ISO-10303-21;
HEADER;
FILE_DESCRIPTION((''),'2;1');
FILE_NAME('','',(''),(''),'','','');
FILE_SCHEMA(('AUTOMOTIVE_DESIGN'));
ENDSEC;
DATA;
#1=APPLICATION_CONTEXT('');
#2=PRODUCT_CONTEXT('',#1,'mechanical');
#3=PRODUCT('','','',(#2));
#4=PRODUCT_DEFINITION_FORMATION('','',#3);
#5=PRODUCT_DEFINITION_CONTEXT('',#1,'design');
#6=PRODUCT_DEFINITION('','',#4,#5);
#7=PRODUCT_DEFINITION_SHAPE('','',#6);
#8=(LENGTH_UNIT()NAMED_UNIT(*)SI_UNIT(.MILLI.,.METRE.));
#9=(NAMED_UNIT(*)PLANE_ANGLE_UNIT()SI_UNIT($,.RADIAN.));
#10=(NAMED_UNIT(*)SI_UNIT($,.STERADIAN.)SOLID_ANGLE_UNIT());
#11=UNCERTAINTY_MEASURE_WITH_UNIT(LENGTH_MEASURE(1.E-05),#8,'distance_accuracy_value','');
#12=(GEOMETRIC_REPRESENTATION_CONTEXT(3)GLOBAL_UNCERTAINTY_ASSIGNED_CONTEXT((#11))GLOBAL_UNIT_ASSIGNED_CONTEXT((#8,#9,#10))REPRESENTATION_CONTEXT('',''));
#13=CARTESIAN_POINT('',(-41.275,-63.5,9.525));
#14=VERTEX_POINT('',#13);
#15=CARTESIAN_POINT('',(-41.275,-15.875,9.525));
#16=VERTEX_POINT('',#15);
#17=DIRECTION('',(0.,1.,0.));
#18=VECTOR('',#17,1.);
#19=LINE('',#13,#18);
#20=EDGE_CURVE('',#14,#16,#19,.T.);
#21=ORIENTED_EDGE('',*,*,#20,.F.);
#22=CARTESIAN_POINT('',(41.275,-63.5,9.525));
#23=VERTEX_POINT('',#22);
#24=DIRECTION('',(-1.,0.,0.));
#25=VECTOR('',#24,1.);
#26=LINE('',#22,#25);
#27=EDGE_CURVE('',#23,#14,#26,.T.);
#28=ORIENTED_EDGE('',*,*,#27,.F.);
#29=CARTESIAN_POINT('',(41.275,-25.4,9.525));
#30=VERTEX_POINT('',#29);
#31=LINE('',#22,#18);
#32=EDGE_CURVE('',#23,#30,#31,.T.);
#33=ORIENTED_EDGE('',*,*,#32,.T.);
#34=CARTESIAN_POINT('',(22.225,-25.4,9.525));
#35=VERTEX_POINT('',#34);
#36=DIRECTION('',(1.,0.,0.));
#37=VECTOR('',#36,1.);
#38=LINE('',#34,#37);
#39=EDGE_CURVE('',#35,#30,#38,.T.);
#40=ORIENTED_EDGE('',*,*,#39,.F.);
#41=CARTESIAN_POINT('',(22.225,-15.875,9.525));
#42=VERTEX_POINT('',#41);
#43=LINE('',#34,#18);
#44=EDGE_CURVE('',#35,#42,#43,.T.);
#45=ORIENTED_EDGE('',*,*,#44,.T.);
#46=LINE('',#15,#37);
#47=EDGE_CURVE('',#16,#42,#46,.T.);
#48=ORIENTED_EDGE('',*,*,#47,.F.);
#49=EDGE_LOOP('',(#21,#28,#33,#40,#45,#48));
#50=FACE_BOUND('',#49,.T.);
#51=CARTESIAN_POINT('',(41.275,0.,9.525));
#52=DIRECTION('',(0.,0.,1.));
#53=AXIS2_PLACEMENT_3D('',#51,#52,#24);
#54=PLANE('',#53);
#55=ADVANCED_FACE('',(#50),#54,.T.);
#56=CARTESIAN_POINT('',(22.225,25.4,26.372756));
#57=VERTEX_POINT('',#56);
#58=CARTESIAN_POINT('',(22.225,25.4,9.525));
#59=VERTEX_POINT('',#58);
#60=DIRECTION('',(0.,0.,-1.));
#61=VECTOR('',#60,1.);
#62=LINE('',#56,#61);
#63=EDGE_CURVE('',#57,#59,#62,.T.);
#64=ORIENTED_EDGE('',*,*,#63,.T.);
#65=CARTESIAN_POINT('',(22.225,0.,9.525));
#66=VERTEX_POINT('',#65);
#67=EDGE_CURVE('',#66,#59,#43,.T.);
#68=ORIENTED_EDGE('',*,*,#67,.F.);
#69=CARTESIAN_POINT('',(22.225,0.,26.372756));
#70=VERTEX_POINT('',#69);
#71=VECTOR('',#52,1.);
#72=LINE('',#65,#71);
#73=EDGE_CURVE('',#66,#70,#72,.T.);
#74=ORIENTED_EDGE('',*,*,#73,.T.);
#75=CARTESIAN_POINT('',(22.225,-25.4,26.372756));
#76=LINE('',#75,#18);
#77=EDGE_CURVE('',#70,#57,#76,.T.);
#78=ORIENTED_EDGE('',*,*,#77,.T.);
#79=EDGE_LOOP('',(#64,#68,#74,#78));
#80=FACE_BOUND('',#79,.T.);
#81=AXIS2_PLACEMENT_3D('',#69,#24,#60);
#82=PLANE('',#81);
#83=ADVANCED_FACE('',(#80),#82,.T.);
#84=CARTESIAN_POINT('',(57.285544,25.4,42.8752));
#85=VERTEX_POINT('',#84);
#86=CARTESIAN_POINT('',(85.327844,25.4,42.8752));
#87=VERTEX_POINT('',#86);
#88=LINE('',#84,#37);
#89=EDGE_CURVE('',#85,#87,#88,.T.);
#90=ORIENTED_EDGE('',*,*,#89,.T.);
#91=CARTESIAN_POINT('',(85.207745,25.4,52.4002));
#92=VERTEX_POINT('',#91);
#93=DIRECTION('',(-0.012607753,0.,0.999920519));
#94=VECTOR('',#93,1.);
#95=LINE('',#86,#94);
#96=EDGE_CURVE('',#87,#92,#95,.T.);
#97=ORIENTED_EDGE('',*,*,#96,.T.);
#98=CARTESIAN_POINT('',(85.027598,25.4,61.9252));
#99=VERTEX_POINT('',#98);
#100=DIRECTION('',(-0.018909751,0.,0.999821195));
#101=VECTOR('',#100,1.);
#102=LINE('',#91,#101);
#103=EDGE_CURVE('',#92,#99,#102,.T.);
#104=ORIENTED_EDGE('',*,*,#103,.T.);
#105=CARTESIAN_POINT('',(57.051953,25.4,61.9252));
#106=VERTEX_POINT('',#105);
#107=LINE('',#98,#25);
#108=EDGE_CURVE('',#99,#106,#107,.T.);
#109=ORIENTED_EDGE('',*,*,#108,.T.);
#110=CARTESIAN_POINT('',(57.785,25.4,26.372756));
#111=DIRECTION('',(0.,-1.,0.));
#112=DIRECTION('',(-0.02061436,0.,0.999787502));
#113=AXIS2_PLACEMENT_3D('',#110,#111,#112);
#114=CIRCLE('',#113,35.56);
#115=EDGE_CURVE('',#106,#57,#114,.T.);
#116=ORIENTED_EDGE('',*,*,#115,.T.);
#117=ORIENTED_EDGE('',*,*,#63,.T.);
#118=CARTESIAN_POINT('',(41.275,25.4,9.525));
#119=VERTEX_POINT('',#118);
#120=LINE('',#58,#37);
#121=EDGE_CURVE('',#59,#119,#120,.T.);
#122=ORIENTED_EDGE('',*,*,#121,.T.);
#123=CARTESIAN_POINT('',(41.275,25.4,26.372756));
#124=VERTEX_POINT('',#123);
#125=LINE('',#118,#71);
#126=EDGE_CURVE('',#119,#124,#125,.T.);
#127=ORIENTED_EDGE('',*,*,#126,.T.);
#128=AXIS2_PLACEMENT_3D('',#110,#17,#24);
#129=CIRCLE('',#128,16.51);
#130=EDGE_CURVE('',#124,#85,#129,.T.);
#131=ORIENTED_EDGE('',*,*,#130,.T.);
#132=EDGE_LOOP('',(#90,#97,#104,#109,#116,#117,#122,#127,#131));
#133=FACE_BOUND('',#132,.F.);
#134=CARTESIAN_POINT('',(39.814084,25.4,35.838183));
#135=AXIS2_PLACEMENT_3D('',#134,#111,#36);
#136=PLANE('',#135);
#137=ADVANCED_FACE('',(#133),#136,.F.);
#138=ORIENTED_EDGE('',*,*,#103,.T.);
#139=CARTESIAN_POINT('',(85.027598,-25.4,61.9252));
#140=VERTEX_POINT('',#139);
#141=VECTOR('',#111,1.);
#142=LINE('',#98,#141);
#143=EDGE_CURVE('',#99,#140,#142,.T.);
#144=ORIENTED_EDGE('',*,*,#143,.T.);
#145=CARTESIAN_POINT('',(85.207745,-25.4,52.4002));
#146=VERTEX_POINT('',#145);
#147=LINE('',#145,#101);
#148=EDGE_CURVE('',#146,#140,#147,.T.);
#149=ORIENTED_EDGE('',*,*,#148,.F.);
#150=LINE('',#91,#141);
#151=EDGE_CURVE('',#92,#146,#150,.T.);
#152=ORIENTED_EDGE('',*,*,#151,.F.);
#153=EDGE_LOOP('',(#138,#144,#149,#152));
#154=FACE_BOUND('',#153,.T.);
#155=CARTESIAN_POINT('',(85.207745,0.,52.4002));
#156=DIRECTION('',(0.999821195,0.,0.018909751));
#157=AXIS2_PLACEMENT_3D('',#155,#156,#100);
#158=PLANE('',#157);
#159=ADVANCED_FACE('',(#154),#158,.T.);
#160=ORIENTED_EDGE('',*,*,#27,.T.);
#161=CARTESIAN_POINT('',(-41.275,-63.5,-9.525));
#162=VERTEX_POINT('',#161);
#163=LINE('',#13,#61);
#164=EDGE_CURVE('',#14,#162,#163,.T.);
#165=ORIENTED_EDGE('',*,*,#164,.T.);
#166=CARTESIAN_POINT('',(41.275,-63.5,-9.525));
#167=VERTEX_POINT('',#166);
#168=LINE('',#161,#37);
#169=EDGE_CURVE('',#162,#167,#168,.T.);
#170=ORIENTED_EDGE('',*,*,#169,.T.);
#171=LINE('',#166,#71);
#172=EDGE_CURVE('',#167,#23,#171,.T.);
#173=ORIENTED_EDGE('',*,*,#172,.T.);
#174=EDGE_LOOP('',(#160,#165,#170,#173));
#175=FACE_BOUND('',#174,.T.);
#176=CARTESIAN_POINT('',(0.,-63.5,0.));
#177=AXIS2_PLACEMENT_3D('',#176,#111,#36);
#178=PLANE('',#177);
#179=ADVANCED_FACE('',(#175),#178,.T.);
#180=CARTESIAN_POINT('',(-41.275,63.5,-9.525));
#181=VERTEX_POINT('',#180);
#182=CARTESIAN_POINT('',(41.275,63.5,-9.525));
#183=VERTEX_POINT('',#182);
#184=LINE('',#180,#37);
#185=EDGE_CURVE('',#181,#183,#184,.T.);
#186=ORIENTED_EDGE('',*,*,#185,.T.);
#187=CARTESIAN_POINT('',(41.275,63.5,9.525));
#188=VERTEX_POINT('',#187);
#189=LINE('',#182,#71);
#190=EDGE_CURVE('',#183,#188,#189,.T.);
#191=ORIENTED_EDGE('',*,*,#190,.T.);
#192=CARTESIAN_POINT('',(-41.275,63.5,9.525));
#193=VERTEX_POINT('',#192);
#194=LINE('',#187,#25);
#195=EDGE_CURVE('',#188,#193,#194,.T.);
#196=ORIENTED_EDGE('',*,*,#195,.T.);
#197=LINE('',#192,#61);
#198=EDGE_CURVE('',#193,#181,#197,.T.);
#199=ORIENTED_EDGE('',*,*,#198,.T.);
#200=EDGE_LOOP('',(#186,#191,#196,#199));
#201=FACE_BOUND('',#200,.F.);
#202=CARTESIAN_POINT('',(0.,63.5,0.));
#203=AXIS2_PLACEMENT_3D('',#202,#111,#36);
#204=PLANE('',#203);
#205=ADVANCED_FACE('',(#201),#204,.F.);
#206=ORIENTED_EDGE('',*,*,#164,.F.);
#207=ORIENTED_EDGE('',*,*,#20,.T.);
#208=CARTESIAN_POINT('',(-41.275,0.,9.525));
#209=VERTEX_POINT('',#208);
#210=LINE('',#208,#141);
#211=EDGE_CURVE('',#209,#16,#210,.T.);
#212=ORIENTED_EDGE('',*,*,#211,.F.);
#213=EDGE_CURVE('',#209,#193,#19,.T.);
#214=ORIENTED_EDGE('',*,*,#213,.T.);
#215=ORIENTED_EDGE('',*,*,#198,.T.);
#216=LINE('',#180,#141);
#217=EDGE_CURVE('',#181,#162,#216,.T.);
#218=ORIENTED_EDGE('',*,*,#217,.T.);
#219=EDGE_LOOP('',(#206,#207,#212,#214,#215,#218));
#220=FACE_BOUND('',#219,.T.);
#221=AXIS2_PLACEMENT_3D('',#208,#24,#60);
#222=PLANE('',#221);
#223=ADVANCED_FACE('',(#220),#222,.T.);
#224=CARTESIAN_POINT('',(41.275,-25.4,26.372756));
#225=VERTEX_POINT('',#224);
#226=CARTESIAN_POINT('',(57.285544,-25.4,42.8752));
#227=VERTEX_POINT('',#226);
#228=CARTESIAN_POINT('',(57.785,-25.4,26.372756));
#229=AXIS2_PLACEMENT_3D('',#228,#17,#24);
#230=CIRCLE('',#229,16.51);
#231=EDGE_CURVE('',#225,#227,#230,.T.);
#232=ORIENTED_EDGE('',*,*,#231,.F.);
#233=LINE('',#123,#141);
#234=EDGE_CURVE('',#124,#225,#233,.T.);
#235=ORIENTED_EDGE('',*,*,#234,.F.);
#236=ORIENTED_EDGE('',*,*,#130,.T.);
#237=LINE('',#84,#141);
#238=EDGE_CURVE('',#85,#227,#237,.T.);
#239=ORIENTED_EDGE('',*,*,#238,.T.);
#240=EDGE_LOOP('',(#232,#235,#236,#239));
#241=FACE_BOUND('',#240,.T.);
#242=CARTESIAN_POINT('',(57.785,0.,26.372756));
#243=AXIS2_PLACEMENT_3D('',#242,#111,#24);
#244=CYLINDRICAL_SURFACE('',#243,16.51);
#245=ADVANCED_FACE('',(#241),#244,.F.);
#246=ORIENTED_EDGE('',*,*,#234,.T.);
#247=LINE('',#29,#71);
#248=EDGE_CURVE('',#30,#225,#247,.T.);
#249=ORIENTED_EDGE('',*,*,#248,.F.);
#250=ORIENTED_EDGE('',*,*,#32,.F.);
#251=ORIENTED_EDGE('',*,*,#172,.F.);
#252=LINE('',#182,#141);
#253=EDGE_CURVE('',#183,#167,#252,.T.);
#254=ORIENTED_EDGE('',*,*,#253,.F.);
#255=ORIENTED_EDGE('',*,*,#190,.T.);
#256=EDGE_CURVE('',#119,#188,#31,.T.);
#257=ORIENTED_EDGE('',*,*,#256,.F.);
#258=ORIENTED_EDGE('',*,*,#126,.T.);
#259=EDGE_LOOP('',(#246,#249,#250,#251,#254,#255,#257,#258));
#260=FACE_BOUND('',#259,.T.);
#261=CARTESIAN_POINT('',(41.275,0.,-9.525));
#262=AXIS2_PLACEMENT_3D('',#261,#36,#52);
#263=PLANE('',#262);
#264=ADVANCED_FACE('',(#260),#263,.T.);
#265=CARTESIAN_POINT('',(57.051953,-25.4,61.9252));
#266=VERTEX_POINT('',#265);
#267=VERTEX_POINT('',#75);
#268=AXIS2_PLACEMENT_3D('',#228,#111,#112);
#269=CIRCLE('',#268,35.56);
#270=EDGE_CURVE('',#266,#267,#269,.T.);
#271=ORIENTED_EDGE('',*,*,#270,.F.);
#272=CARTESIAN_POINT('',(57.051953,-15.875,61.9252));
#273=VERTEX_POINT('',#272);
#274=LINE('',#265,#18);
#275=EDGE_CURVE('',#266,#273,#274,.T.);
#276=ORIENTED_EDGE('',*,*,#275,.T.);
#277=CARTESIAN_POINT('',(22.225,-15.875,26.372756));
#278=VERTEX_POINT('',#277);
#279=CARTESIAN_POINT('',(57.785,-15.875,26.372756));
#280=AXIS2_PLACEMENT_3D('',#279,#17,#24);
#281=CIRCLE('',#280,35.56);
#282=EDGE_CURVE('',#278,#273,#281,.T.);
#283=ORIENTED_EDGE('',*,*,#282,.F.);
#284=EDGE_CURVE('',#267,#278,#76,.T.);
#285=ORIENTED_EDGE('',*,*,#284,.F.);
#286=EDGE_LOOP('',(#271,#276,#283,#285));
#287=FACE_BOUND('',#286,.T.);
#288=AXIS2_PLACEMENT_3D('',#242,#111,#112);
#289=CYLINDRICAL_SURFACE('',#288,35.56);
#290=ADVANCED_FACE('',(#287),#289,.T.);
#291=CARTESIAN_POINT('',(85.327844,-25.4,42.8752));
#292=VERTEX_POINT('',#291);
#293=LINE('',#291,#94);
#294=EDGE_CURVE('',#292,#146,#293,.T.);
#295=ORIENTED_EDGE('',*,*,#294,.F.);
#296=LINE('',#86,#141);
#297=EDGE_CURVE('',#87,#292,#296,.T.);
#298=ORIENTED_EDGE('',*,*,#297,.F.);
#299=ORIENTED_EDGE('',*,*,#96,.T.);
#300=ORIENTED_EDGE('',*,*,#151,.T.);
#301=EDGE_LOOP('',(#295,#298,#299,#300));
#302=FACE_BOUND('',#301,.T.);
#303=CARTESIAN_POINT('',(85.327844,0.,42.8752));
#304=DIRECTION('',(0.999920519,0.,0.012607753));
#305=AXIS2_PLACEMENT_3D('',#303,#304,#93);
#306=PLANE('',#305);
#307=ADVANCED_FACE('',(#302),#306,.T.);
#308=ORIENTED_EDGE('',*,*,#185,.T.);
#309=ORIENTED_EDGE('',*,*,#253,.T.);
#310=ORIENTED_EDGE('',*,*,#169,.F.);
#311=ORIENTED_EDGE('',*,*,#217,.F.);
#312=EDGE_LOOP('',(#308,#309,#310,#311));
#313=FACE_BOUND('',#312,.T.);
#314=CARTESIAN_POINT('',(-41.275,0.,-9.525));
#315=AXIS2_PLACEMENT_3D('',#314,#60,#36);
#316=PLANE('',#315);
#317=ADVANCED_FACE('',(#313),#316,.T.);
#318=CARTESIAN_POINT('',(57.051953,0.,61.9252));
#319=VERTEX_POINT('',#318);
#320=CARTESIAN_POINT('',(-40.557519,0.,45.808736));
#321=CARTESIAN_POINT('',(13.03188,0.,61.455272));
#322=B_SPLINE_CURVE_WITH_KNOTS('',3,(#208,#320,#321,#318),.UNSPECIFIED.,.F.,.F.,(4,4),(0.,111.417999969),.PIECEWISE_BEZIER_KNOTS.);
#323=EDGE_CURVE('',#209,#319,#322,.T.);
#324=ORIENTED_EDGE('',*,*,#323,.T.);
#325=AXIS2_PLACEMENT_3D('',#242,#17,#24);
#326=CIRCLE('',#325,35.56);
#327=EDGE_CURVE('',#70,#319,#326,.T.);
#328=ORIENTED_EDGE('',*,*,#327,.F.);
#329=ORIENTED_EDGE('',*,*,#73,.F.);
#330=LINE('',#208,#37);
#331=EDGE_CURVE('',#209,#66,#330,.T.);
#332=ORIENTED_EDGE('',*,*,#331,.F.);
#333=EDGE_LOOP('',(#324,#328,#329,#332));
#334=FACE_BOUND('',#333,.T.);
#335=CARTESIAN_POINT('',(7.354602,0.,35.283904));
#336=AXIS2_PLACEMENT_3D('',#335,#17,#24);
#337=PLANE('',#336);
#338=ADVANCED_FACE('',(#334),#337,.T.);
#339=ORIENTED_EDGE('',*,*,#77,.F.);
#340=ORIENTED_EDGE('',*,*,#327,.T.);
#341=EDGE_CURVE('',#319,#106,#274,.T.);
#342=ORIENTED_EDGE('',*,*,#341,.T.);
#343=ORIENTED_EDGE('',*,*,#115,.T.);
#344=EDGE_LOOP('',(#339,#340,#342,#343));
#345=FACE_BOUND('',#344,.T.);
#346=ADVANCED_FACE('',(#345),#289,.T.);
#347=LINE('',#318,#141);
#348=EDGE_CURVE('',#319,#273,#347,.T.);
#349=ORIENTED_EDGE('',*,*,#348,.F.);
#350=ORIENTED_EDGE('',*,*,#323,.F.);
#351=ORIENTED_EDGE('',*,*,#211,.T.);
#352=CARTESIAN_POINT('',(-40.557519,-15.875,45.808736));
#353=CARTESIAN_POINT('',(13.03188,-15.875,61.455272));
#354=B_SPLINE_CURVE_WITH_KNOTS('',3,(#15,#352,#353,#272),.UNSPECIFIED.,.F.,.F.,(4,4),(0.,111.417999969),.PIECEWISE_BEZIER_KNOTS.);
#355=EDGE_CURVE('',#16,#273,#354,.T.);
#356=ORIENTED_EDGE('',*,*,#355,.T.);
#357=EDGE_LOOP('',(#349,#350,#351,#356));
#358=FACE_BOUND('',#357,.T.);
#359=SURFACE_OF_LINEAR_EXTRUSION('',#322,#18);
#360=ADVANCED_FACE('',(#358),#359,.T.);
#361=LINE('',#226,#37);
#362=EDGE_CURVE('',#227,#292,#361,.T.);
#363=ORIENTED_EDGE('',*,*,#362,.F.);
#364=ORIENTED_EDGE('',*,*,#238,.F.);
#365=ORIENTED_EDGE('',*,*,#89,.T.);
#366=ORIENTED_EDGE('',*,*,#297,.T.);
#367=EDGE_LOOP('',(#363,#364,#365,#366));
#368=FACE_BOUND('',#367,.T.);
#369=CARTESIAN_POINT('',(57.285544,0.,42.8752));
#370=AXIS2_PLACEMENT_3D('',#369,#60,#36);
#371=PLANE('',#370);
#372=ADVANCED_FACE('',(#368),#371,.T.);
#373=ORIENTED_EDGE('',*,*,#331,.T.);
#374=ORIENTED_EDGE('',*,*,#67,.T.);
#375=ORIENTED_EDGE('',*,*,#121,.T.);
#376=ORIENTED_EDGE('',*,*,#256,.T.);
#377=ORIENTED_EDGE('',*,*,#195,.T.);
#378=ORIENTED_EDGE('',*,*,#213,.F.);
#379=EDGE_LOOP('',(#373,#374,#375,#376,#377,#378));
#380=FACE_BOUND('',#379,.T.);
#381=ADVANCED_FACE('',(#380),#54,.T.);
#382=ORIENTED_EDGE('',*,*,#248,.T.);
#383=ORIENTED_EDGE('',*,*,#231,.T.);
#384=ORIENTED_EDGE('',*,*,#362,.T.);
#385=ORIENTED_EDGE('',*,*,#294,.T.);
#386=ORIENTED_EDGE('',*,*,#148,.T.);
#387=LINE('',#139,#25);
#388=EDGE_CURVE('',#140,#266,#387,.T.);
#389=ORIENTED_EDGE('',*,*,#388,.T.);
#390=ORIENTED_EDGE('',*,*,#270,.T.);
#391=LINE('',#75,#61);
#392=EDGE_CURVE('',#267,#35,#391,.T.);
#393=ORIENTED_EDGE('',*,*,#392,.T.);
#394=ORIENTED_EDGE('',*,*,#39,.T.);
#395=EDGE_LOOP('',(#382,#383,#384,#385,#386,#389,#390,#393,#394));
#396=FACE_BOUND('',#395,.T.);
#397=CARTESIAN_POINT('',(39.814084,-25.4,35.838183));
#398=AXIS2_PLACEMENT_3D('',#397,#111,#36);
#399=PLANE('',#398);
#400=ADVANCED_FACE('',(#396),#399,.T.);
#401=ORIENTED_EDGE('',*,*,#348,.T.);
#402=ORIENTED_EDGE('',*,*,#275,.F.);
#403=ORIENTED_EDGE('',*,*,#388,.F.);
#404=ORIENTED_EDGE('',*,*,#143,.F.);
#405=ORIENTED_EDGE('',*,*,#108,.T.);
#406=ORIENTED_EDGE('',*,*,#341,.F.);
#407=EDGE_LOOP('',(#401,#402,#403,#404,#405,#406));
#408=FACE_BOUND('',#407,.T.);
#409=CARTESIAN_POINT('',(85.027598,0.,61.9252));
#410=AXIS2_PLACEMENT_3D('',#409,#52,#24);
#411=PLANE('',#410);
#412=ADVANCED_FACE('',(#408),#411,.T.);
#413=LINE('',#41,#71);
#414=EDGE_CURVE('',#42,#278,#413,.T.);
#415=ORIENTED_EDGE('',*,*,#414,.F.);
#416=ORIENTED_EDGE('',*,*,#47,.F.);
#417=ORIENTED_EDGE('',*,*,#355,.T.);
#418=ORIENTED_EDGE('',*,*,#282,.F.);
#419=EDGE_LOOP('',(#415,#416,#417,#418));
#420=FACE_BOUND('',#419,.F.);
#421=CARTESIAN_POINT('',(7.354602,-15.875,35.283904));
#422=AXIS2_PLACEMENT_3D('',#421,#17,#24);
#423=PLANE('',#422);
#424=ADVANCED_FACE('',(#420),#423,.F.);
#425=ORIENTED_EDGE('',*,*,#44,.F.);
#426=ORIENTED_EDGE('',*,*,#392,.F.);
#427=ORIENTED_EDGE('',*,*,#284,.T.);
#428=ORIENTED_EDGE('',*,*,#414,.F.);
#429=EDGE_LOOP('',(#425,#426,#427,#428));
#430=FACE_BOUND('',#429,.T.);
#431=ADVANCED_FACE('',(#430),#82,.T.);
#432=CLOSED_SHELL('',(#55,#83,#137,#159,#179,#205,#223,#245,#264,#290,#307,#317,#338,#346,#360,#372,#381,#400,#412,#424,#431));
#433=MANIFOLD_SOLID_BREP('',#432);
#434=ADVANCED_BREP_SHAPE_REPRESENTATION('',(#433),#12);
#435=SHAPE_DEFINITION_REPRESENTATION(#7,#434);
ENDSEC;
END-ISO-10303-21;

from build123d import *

# Parameters (mm, degrees)
F1_DEPTH = 63.5
F2_DEPTH = 15.875
F3_DEPTH = 25.4


with BuildPart() as f1:
    # F0 (on Front) → F1 (new body, symmetric)
    with BuildSketch(Plane.XZ):
        Polygon((-41.275, 9.525), (-41.275, -9.525), (41.275, -9.525), (41.275, 9.525), (22.225, 9.525), align=None)
    extrude(amount=F1_DEPTH, both=True)

    # F0 (on Front) → F2 (join)
    with BuildSketch(Plane.XZ):
        with BuildLine():
            add(Edge.make_bspline(
                [(-41.275, 9.525), (-40.5575186014, 45.8087362349), (13.0318803713, 61.4552721381), (57.0519533598, 61.9252)],
                knots=[0, 0, 0, 0, 111.4179999689, 111.4179999689, 111.4179999689, 111.4179999689], degree=3))
            Line((-41.275, 9.525), (22.225, 9.525))
            Line((22.225, 9.525), (22.225, 26.3727564465))
            ThreePointArc((22.225, 26.3727564465), (32.3824338056, 51.2569528518), (57.0519533598, 61.9252))
        make_face()
    extrude(amount=F2_DEPTH)

    # F0 (on Front) → F3 (join, symmetric)
    with BuildSketch(Plane.XZ):
        with BuildLine():
            Line((22.225, 9.525), (41.275, 9.525))
            Line((41.275, 9.525), (41.275, 26.3727564465))
            ThreePointArc((41.275, 26.3727564465), (45.935398186, 37.8691487872), (57.2855435312, 42.8752))
            Line((57.2855435312, 42.8752), (59.8077454329, 42.8752))
            Line((59.8077454329, 42.8752), (59.8077454329, 61.9252))
            Line((59.8077454329, 61.9252), (57.0519533598, 61.9252))
            ThreePointArc((57.0519533598, 61.9252), (32.3824338056, 51.2569528518), (22.225, 26.3727564465))
            Line((22.225, 26.3727564465), (22.225, 9.525))
        make_face()
        Polygon((85.0275978446, 61.9252), (59.8077454329, 61.9252), (59.8077454329, 42.8752), (85.327843825, 42.8752), (85.2077454329, 52.4002), align=None)
    extrude(amount=F3_DEPTH, both=True)


solid = f1.part
